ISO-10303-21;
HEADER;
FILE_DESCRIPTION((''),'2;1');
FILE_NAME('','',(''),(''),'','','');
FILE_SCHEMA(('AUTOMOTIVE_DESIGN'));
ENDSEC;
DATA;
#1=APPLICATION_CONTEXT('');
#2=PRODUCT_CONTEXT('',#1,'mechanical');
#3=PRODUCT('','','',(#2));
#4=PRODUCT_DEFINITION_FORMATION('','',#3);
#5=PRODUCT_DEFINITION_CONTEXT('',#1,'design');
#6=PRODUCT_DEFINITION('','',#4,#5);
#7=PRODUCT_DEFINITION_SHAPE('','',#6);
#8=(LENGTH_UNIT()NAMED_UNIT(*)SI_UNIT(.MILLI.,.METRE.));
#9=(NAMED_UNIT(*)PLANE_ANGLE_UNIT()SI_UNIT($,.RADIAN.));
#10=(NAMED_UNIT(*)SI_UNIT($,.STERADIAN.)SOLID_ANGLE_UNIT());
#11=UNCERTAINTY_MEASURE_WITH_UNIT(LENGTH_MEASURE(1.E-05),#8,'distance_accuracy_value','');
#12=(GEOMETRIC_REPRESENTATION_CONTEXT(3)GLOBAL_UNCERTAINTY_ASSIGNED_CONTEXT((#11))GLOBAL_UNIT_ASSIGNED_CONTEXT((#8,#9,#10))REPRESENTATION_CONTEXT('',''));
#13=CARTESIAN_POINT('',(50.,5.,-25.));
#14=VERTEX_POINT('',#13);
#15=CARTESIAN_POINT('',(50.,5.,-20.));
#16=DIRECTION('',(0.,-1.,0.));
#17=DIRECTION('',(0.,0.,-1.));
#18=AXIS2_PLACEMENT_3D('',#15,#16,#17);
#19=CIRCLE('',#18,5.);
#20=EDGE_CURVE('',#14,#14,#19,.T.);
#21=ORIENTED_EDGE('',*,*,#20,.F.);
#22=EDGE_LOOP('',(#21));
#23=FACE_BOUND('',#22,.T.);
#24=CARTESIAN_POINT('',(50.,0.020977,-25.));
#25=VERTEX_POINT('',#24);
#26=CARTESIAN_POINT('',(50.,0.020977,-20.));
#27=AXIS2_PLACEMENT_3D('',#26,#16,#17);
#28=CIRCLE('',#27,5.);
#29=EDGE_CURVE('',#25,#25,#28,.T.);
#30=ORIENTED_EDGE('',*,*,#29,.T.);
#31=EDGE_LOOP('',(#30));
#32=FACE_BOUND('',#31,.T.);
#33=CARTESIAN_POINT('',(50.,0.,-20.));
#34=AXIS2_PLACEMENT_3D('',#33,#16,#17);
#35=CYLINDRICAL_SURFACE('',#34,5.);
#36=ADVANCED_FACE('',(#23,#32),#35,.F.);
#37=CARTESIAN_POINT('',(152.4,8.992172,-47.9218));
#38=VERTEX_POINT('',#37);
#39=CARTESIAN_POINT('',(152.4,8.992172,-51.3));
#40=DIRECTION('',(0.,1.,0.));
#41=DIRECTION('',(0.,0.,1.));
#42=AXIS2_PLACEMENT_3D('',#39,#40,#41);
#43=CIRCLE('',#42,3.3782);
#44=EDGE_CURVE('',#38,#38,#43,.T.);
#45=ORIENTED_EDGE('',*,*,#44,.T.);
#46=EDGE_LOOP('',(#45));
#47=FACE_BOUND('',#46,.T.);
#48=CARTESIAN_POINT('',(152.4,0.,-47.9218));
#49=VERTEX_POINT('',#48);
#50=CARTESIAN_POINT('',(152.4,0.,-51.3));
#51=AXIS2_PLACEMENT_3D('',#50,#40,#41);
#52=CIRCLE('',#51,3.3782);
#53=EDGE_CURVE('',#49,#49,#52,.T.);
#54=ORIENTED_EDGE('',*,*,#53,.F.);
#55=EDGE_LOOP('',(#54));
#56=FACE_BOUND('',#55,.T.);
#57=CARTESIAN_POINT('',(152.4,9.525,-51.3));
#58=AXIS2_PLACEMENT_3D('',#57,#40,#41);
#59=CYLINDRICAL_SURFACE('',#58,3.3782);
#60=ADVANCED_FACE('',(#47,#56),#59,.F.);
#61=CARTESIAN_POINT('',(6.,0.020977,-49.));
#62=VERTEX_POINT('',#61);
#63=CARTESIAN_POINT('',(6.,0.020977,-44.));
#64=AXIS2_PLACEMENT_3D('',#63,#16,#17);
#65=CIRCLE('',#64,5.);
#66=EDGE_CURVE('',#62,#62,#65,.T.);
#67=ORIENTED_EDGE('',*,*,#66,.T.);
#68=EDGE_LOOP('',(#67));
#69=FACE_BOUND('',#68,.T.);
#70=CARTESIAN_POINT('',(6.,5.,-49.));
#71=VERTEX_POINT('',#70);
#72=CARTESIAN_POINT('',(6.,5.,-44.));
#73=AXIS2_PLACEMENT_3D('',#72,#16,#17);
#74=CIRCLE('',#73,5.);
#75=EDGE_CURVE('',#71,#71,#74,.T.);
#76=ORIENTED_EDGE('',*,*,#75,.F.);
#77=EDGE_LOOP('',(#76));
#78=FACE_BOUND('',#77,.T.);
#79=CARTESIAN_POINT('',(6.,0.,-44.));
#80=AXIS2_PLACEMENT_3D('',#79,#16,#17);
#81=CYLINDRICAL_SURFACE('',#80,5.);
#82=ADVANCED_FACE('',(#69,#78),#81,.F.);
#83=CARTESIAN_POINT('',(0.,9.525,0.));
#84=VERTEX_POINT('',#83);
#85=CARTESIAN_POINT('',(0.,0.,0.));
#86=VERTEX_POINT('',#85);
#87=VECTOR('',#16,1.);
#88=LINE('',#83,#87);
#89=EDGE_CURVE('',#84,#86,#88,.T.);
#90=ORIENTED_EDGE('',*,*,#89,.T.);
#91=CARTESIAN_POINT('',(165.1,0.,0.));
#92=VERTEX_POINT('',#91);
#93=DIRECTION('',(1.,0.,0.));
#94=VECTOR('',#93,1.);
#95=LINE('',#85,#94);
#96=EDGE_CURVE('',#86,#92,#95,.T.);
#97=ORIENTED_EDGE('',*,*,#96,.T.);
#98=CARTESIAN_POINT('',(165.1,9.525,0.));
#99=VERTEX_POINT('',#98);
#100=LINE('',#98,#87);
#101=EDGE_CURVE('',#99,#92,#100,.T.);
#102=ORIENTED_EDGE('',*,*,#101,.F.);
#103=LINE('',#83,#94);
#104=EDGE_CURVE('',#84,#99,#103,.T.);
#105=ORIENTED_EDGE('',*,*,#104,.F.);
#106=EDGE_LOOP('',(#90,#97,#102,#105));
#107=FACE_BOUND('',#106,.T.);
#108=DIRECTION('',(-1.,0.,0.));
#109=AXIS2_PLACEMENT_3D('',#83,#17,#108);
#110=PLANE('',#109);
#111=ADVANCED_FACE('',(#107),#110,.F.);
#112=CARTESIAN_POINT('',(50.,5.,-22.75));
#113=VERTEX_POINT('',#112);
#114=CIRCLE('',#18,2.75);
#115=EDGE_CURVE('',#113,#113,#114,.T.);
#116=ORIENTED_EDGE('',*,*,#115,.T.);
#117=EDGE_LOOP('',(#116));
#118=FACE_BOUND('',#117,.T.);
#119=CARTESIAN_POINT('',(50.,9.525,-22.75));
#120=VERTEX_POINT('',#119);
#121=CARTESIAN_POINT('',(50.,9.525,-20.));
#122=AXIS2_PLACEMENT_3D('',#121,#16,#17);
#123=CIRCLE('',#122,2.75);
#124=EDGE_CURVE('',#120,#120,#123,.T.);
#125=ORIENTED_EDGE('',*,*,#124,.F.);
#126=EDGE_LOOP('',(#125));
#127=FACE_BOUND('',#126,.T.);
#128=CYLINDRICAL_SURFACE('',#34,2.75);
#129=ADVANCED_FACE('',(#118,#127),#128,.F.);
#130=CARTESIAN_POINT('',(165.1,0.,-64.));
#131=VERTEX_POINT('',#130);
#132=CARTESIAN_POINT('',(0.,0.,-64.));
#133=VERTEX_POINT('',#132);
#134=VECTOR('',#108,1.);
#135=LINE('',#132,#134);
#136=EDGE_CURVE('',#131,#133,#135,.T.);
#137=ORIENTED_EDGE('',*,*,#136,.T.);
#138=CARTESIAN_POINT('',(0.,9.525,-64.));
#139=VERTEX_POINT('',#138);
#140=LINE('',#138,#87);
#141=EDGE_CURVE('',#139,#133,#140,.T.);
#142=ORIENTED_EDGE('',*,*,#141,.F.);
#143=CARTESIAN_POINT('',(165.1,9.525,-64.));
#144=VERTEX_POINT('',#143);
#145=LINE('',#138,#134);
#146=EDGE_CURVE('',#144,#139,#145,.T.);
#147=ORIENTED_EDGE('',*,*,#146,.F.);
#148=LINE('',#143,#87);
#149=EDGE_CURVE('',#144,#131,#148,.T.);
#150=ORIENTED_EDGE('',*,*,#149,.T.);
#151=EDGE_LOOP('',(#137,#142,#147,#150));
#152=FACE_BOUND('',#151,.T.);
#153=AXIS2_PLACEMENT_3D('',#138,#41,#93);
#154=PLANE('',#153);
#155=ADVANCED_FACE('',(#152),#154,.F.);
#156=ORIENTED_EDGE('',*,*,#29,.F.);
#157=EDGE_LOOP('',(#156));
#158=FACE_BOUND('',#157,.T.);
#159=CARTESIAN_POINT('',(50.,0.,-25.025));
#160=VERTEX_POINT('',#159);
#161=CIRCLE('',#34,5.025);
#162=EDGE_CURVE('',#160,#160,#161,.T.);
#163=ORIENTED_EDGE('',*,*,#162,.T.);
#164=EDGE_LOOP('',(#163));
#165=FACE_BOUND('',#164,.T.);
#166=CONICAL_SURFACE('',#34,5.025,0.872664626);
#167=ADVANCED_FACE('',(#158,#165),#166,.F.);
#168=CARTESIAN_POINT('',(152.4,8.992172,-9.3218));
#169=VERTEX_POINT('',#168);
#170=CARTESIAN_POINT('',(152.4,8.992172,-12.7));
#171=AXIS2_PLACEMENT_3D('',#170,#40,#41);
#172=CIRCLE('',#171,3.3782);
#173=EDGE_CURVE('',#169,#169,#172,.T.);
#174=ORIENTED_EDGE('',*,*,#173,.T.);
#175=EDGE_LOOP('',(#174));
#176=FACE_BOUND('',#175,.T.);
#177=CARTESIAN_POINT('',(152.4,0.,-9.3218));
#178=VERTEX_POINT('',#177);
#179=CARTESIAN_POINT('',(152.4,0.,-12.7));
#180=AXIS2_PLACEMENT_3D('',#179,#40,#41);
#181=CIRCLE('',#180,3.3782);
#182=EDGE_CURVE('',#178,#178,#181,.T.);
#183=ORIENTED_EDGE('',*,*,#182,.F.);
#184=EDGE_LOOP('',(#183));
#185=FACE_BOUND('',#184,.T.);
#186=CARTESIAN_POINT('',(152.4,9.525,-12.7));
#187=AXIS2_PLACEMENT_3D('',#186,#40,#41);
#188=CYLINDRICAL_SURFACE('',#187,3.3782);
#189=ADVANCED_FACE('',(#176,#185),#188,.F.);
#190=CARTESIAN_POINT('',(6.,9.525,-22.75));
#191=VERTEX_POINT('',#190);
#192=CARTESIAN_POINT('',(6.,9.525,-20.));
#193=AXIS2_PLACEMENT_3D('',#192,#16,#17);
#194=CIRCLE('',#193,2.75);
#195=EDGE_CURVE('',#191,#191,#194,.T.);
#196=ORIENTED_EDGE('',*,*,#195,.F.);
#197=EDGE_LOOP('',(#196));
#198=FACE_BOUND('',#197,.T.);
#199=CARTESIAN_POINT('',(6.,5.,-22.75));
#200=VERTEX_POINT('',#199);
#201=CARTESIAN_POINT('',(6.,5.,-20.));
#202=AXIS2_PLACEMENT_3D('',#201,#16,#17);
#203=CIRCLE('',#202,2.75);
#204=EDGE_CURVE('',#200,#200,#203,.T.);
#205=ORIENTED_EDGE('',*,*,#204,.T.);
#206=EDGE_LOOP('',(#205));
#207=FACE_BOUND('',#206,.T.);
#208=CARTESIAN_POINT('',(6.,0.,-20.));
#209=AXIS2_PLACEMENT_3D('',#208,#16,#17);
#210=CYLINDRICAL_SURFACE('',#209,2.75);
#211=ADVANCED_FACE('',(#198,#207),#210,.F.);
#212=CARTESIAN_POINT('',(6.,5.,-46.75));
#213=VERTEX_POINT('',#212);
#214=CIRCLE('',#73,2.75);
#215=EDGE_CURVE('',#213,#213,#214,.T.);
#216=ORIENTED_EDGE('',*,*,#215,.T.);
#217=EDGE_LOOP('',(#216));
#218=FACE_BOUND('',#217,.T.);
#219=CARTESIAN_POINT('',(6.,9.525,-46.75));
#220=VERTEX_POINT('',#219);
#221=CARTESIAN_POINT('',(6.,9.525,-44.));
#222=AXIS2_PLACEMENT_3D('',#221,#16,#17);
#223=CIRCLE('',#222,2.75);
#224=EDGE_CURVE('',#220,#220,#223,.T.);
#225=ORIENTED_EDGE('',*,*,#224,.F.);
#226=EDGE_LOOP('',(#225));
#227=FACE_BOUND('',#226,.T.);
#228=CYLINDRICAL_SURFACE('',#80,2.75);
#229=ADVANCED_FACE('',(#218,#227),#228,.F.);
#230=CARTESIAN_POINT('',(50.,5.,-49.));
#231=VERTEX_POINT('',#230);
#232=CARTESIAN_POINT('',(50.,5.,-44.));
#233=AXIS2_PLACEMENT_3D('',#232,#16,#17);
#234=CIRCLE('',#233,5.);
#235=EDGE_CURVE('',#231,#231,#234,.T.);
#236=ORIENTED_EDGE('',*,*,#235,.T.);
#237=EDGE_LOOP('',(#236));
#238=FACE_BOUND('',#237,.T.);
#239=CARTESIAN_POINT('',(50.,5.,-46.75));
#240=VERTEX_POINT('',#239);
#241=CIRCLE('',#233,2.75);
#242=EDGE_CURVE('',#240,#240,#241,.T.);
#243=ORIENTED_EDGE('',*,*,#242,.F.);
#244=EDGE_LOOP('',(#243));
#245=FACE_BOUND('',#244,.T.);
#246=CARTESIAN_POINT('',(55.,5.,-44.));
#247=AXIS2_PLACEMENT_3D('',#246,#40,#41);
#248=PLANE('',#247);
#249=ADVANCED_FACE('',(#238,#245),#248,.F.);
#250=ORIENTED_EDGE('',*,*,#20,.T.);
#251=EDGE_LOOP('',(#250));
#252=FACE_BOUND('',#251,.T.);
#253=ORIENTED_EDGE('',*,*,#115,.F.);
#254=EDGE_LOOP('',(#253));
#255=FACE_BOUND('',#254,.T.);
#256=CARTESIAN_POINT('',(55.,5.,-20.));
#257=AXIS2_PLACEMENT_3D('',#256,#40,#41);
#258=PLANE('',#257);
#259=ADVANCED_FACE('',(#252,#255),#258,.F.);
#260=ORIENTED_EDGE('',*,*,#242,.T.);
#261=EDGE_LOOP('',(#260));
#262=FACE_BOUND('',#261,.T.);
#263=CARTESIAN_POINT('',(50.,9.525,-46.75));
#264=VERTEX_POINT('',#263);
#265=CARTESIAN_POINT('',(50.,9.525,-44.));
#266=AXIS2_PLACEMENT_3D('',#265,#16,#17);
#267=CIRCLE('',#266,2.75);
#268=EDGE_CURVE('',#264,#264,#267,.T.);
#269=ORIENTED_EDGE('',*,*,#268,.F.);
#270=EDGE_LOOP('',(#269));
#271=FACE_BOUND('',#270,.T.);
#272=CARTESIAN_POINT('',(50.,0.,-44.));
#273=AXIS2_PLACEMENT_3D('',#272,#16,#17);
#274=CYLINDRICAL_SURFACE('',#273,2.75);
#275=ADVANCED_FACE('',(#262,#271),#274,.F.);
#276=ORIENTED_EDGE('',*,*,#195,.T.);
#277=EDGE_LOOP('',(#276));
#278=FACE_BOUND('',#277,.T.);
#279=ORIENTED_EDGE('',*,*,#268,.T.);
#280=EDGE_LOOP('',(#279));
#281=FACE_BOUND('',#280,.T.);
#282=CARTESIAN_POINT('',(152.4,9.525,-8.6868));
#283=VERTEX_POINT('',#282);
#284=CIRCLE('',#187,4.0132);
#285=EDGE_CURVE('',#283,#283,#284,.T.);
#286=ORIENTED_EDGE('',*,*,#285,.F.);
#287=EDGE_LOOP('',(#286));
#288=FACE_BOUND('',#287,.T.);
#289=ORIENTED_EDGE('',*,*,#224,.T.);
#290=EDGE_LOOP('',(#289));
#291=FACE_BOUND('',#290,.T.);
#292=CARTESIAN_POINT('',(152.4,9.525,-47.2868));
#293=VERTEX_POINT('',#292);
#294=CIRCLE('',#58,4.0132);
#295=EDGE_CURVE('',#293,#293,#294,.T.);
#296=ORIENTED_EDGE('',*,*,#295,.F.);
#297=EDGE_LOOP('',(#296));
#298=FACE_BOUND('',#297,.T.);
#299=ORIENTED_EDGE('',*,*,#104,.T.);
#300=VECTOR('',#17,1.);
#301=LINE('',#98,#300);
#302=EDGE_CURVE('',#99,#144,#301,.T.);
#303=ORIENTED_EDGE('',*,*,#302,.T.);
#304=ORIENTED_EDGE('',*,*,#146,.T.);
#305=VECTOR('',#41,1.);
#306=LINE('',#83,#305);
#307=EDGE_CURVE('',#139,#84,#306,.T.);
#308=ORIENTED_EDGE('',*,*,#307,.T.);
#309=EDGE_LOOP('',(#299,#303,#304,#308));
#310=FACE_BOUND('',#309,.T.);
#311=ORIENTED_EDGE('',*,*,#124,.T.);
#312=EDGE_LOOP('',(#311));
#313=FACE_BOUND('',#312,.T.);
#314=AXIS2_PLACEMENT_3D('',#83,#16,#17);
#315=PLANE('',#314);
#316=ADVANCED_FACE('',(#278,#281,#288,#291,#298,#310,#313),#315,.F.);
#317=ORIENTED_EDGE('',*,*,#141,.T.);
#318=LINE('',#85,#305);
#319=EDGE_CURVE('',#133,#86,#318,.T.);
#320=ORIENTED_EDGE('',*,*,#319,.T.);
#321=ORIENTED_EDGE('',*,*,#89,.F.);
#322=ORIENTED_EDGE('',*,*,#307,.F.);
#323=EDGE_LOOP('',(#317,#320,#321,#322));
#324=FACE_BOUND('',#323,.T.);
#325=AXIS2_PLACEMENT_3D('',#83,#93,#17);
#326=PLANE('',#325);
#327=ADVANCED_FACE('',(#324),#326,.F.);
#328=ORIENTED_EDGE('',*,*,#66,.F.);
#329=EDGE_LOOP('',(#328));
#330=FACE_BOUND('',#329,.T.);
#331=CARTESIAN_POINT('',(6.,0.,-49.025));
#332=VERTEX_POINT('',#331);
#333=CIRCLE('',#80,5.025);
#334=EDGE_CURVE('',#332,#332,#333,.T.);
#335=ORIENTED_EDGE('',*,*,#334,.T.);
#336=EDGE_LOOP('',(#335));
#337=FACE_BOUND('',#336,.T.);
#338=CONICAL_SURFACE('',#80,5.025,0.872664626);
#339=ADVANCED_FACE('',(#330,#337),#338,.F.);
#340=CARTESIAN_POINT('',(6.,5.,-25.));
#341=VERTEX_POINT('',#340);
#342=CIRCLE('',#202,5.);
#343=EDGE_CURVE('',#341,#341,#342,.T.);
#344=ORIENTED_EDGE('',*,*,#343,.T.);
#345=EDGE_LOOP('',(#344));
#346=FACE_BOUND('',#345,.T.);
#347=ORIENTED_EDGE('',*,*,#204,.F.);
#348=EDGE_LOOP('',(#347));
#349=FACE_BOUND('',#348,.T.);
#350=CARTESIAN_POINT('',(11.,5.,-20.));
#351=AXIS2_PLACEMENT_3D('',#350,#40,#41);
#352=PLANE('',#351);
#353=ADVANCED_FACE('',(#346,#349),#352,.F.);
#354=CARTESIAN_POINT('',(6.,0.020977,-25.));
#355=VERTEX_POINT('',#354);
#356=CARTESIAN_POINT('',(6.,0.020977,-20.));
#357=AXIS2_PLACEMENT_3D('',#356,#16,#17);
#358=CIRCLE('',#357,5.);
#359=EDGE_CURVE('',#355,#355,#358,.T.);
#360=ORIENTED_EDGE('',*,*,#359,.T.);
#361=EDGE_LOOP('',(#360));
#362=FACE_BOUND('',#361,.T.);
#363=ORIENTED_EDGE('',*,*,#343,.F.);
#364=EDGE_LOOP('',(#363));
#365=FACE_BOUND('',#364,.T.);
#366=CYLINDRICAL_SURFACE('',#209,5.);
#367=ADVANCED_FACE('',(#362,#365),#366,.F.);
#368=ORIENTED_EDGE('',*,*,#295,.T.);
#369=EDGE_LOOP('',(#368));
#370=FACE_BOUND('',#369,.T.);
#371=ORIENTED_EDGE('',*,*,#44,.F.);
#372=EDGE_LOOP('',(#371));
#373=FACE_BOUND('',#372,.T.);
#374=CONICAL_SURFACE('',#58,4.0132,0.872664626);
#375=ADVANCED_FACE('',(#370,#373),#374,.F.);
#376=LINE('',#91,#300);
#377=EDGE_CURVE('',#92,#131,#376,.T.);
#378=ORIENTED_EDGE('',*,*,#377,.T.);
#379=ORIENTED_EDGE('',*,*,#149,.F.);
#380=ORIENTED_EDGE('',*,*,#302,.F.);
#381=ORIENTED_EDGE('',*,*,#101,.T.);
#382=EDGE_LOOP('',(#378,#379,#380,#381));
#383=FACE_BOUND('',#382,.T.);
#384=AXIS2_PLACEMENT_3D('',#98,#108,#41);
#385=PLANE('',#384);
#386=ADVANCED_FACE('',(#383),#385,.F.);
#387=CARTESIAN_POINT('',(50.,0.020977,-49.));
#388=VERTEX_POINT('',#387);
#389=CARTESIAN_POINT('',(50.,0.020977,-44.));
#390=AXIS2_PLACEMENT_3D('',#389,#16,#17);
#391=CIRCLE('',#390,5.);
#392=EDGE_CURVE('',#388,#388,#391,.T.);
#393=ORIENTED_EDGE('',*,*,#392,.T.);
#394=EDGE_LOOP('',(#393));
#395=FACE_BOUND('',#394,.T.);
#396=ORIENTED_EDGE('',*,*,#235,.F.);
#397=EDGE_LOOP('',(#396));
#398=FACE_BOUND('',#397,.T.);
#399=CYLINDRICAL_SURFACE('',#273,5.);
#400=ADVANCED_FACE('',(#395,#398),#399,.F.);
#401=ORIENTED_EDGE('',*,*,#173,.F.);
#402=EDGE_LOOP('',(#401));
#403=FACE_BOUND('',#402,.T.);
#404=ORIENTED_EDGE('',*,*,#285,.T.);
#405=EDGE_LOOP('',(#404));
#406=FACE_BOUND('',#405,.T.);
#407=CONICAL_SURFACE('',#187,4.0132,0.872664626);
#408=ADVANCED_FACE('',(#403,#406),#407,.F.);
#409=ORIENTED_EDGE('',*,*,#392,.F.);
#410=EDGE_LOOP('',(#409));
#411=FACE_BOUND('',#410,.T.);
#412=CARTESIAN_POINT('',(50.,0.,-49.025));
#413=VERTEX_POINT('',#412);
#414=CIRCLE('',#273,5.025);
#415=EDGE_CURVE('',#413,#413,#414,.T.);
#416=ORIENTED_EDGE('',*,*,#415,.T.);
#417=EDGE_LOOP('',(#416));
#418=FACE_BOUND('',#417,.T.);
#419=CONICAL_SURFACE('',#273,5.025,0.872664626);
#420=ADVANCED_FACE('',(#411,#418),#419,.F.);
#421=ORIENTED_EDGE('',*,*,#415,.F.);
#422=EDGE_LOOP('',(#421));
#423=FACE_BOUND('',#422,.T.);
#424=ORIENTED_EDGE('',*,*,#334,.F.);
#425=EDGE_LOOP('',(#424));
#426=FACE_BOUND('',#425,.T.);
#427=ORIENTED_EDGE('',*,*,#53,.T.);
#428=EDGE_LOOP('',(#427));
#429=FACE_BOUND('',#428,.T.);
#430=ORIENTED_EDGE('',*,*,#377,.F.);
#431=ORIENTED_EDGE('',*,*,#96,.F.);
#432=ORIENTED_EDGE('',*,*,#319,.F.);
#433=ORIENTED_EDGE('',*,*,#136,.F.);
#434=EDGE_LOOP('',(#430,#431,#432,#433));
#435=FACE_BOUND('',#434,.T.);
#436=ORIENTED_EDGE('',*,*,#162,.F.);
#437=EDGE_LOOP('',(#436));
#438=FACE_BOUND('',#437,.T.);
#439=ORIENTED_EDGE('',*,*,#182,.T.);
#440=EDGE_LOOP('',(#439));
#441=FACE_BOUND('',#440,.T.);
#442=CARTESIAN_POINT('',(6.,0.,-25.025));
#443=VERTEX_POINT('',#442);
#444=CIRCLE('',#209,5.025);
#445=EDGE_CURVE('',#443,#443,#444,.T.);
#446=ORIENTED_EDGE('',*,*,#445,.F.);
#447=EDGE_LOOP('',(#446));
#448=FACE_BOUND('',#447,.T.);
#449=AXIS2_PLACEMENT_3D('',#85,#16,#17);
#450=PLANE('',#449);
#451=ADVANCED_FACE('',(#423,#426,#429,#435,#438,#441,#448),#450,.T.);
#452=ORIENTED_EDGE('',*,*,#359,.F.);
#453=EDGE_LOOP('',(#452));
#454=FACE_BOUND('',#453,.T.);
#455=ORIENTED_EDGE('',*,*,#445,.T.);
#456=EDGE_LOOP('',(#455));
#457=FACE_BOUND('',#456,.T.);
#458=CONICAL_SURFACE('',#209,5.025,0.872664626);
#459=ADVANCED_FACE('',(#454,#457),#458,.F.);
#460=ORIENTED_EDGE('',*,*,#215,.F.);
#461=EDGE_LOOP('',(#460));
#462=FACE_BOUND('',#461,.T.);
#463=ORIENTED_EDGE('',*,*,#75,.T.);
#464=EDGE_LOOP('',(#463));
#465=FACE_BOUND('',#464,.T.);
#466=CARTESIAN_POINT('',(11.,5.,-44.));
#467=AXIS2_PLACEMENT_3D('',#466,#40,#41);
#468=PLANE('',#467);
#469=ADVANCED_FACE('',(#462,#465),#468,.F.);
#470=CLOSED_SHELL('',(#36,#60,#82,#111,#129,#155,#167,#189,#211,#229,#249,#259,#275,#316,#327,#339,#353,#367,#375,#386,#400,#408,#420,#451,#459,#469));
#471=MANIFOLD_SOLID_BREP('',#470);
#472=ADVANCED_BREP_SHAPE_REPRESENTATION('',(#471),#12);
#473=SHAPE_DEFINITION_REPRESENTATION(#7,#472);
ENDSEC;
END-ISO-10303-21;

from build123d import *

# Parameters (mm, degrees)
SKETCH1_W                         = 165.1
SKETCH1_H                         = 64
BOSS_EXTRUDE1_DEPTH               = 9.525
F_1_4_CLEARANCE_HOLE1_D           = 6.7564
F_1_4_CLEARANCE_HOLE1_CSINK_D     = 8.0264
F_1_4_CLEARANCE_HOLE1_CSINK_ANGLE = 100
CBORE_FOR_M5_SHCS1_AT_2_COUNT     = 2
CBORE_FOR_M5_SHCS1_AT_2_PITCH     = 44
CBORE_FOR_M5_SHCS1_AT_3_COUNT     = 2
CBORE_FOR_M5_SHCS1_AT_3_PITCH     = 50.119856345
CBORE_FOR_M5_SHCS1_AT_4_COUNT     = 2
CBORE_FOR_M5_SHCS1_AT_4_PITCH     = 24


with BuildPart() as part:
    # Sketch1 → Boss-Extrude1 (new body)
    with BuildSketch(Plane(origin=(0, 0, 0), x_dir=(1, 0, 0), z_dir=(0, 1, 0))):
        with Locations((82.55, 32)):
            Rectangle(SKETCH1_W, SKETCH1_H)
    extrude(amount=BOSS_EXTRUDE1_DEPTH)

    # 1/4 Clearance Hole1 (through all)
    with Locations(Plane(origin=(0, 9.525, 0), x_dir=(1, 0, 0), z_dir=(0, 1, 0))):
        with Locations((152.4, 51.3), (152.4, 12.7)):
            CounterSinkHole(F_1_4_CLEARANCE_HOLE1_D / 2, F_1_4_CLEARANCE_HOLE1_CSINK_D / 2, counter_sink_angle=F_1_4_CLEARANCE_HOLE1_CSINK_ANGLE)

    # Sketch7 → CBORE for M5 SHCS1 (revolve, cut)
    with BuildSketch(Plane(origin=(6, 0, -44), x_dir=(0, 0, -1), z_dir=(1, 0, 0))):
        Polygon((0, 0), (0, 9.525), (2.75, 9.525), (2.75, 5), (5, 5), (5, 0.020977491), (5.025, 0), align=None)
    cbore_for_m5_shcs1 = revolve(axis=Axis((6, -6.35, -44), (0, 1, 0)), mode=Mode.SUBTRACT)

    # CBORE for M5 SHCS1 at 2: CBORE for M5 SHCS1 ×2
    with Locations(*[(i * CBORE_FOR_M5_SHCS1_AT_2_PITCH, 0, 0) for i in range(1, CBORE_FOR_M5_SHCS1_AT_2_COUNT)]):
        add(cbore_for_m5_shcs1, mode=Mode.SUBTRACT)

    # CBORE for M5 SHCS1 at 3: CBORE for M5 SHCS1 ×2
    with Locations(*[Vector(0.8778955729143844, 0, 0.4788521306805733) * (i * CBORE_FOR_M5_SHCS1_AT_3_PITCH) for i in range(1, CBORE_FOR_M5_SHCS1_AT_3_COUNT)]):
        add(cbore_for_m5_shcs1, mode=Mode.SUBTRACT)

    # CBORE for M5 SHCS1 at 4: CBORE for M5 SHCS1 ×2
    with Locations(*[(0, 0, i * CBORE_FOR_M5_SHCS1_AT_4_PITCH) for i in range(1, CBORE_FOR_M5_SHCS1_AT_4_COUNT)]):
        add(cbore_for_m5_shcs1, mode=Mode.SUBTRACT)


solid = part.part
